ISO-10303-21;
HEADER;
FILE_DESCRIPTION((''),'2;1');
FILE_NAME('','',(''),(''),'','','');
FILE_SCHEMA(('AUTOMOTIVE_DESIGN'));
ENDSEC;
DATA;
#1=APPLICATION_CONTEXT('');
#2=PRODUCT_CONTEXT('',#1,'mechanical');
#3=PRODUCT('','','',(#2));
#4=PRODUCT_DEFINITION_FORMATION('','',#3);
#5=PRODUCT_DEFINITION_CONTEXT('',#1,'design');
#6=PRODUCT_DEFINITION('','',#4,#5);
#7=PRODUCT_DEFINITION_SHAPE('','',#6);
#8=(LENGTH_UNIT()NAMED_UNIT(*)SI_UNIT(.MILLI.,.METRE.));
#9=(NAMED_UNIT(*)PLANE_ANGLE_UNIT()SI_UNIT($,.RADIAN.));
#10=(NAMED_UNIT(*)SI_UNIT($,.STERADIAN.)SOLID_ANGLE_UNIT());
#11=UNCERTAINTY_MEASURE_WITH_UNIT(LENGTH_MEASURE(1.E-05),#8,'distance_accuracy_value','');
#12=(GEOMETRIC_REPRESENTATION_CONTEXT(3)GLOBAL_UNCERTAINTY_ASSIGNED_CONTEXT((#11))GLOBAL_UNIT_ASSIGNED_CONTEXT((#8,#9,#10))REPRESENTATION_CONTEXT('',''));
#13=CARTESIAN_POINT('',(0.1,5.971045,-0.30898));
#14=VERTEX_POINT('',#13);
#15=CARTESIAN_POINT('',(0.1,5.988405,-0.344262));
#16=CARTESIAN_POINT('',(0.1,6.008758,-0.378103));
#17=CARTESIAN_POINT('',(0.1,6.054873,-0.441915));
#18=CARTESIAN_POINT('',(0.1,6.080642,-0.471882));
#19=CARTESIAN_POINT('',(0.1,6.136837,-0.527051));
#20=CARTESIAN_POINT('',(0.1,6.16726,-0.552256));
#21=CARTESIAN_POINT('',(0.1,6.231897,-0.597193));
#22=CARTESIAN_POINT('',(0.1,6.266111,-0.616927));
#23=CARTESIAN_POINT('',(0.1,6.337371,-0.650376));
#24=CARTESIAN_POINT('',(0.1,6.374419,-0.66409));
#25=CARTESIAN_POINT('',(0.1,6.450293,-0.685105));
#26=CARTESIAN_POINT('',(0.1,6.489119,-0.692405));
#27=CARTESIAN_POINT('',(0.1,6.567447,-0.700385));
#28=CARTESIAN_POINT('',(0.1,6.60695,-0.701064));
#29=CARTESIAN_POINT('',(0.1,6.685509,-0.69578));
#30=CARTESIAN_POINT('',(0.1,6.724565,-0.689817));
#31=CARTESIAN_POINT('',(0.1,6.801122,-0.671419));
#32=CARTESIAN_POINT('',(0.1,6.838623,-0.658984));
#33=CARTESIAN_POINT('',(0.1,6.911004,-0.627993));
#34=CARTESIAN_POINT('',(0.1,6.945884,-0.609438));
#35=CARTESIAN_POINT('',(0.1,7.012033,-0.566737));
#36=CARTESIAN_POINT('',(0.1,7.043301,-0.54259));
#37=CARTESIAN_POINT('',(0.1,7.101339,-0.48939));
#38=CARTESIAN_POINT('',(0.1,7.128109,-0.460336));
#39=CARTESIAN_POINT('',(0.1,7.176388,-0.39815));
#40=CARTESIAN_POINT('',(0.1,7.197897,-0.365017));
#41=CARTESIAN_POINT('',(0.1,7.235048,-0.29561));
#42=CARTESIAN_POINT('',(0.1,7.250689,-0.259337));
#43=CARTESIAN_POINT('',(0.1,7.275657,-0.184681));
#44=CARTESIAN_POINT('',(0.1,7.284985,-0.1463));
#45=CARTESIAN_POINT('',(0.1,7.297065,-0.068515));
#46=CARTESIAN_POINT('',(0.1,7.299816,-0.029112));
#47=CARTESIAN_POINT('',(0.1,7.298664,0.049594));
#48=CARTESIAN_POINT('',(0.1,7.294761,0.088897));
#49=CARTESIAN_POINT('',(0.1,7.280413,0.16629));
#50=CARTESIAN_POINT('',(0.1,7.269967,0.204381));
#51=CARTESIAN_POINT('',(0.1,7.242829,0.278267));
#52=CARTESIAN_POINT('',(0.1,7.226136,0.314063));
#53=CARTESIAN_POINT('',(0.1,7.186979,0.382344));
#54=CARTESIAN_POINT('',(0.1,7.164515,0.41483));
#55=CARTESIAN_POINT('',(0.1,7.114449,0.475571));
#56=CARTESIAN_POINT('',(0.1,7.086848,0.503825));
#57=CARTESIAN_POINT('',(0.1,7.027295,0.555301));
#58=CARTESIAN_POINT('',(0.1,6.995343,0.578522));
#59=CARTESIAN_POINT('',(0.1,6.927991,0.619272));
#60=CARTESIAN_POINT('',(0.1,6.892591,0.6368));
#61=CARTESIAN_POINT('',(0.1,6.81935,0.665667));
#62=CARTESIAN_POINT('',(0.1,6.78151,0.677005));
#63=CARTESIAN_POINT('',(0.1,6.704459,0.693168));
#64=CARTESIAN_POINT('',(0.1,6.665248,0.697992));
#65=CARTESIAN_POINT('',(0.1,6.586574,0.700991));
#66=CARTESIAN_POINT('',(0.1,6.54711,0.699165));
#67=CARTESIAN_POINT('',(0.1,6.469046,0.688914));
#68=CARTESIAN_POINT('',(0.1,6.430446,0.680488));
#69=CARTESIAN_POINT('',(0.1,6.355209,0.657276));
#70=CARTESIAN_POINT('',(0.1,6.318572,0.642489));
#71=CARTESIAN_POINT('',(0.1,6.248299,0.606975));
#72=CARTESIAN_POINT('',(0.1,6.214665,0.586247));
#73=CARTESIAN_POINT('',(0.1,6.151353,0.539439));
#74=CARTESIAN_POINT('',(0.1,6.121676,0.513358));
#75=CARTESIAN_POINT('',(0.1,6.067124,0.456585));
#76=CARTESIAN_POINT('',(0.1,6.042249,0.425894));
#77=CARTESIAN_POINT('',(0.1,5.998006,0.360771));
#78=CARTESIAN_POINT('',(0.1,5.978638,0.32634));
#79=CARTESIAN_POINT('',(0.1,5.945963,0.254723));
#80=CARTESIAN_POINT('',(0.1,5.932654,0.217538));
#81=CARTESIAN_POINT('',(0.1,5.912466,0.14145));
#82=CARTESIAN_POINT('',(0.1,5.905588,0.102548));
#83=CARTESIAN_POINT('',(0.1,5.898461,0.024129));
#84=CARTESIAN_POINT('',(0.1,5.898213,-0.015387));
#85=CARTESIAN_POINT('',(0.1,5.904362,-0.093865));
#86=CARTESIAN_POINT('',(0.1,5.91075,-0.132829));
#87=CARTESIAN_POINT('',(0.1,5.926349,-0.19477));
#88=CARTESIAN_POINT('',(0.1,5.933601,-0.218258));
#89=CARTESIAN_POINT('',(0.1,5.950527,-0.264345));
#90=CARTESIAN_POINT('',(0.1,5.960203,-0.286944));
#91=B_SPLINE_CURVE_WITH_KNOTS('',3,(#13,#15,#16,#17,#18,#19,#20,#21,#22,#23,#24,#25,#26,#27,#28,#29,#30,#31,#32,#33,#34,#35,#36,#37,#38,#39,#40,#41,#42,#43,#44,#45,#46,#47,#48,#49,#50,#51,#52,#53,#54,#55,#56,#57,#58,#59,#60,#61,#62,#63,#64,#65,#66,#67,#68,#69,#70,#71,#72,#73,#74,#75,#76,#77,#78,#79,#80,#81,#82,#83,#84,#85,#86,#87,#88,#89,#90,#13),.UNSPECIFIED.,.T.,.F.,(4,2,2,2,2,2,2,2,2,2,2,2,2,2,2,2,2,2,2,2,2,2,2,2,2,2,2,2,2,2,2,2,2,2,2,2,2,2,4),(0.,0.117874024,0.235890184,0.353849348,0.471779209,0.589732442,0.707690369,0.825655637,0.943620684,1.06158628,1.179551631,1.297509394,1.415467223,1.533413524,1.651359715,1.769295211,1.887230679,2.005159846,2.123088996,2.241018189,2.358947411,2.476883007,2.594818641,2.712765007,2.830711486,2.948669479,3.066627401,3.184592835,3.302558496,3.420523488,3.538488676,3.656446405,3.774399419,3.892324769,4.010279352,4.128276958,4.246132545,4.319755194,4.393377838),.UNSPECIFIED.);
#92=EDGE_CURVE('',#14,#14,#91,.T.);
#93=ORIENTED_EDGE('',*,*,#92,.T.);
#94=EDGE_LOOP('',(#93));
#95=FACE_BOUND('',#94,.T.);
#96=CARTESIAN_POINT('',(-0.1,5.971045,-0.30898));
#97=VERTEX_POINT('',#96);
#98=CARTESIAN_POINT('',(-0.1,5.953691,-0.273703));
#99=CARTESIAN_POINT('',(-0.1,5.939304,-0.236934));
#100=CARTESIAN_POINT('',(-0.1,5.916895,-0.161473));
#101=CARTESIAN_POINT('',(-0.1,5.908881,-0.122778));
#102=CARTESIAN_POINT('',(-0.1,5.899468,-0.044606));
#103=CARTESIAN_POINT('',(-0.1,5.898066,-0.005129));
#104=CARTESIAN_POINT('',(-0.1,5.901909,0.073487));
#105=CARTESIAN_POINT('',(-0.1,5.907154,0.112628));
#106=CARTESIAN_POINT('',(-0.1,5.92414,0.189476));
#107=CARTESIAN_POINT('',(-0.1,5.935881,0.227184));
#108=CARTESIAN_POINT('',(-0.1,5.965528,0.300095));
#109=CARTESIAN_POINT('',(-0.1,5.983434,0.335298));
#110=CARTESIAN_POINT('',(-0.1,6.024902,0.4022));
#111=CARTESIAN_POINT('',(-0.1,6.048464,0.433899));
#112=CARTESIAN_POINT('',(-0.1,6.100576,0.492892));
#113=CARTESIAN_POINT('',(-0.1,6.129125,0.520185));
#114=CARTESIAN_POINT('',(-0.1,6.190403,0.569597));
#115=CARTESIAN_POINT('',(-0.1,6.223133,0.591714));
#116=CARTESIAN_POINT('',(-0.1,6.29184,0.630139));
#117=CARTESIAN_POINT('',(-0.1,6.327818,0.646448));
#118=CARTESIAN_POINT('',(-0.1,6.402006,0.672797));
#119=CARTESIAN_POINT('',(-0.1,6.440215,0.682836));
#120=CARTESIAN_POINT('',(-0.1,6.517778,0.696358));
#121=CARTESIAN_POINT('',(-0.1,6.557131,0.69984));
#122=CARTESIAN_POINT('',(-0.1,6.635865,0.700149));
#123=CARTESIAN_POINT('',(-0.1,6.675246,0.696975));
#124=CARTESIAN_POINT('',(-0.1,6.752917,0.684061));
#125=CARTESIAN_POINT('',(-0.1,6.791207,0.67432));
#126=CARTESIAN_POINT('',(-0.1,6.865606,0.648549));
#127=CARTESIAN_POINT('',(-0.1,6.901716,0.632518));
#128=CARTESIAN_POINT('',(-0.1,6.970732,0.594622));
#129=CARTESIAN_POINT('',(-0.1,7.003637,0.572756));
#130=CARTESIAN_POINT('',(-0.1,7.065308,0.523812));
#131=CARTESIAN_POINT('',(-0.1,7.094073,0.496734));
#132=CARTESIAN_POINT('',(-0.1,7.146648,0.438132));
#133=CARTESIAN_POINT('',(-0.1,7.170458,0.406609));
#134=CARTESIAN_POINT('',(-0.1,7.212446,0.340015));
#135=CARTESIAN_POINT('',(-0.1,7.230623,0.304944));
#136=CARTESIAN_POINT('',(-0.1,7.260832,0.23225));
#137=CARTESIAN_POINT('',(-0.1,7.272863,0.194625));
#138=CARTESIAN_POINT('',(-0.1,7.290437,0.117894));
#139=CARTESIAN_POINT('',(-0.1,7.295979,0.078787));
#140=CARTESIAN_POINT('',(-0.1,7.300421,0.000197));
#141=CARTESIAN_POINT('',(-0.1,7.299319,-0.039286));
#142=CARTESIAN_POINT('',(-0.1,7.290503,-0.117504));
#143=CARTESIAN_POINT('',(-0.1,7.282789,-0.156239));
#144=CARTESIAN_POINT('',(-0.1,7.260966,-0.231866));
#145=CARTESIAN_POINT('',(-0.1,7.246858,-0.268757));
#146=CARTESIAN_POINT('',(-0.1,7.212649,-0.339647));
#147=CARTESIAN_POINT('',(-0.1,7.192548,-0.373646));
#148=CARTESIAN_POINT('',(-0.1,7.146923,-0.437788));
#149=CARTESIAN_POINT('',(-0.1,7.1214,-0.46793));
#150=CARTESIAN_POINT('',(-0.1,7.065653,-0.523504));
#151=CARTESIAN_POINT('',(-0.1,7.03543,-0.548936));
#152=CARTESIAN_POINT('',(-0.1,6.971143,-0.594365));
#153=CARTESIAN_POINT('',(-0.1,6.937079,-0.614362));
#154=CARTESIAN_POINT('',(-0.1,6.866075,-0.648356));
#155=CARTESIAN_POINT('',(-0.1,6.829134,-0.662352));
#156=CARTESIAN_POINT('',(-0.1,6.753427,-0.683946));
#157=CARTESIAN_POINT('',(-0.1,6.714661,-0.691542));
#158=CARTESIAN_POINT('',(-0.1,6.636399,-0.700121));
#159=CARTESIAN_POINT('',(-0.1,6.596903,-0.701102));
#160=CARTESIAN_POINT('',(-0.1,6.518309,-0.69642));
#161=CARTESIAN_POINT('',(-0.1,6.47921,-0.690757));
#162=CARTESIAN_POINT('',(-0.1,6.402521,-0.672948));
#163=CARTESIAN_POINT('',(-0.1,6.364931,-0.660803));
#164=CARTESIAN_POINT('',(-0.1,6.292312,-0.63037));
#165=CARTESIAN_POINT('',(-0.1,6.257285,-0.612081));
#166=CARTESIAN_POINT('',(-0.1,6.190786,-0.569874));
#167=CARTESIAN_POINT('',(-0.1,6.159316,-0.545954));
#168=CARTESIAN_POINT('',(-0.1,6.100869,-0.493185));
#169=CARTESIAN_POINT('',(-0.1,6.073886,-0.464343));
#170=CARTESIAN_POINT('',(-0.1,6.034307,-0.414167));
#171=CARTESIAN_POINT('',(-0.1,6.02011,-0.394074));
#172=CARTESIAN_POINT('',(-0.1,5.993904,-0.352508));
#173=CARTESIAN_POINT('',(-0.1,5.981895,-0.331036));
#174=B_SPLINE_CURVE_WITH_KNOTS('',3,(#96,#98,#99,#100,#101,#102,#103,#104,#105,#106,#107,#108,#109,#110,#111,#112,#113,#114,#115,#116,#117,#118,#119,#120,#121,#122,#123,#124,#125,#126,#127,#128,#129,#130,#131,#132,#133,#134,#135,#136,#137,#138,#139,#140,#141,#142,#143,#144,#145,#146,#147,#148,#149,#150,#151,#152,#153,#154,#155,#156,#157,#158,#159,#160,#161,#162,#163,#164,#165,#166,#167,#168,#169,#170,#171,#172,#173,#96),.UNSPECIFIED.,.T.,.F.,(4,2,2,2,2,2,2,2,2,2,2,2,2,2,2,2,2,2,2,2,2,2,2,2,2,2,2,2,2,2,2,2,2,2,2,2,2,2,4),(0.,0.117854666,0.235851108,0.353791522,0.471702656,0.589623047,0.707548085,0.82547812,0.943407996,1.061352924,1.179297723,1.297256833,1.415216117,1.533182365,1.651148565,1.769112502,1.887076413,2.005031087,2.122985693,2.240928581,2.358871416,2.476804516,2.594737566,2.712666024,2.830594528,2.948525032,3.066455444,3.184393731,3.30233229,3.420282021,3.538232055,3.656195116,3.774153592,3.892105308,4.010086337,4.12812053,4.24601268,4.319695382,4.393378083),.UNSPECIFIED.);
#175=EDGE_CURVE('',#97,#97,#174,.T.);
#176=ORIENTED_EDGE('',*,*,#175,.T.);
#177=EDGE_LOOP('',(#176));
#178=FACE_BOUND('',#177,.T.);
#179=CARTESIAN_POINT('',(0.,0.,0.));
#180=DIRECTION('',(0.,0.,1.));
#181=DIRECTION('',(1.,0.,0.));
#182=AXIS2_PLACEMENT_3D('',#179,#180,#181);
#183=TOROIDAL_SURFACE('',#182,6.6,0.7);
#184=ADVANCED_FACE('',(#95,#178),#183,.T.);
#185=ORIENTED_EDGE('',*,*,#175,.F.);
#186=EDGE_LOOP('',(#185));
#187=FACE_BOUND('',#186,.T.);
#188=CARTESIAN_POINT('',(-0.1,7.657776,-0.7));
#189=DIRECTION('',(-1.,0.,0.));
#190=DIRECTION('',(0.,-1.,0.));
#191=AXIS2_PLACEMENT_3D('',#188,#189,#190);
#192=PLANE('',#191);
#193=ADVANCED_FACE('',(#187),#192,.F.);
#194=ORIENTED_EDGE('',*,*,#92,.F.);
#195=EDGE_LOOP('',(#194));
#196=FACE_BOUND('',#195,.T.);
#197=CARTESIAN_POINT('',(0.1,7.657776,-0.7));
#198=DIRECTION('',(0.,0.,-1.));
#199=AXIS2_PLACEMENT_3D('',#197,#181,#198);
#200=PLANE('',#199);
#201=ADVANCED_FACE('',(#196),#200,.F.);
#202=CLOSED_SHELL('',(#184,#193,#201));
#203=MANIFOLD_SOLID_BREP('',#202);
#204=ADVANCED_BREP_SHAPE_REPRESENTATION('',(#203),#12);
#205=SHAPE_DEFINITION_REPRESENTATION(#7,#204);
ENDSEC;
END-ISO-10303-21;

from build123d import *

# Parameters (mm, degrees)
SKETCH_1_R               = 0.7
CUT_EXTRUDE_1_DEPTH      = 11.347463605
CUT_EXTRUDE_1_DEPTH_BACK = 11.347463605
SKETCH_2_W               = 0.2
SKETCH_2_H               = 2.617500795


with BuildPart() as part:
    # Эскиз1 → Повернуть1 (revolve)
    with BuildSketch(Plane(origin=(0, 0, 0), x_dir=(0, 0, -1), z_dir=(1, 0, 0))):
        with Locations((0, 6.6)):
            Circle(SKETCH_1_R)
    revolve(axis=Axis((0, 0, 0), (0, 0, -1)))

    # Эскиз2 → Вытянуть1 (cut, two sides: drawn at the far end of the back side and taken through both)
    with BuildSketch(Plane.XY.offset(-CUT_EXTRUDE_1_DEPTH_BACK)):
        with Locations((0, 6.349026052)):
            Rectangle(SKETCH_2_W, SKETCH_2_H)
    extrude(amount=CUT_EXTRUDE_1_DEPTH + CUT_EXTRUDE_1_DEPTH_BACK, mode=Mode.SUBTRACT)


solid = part.part
